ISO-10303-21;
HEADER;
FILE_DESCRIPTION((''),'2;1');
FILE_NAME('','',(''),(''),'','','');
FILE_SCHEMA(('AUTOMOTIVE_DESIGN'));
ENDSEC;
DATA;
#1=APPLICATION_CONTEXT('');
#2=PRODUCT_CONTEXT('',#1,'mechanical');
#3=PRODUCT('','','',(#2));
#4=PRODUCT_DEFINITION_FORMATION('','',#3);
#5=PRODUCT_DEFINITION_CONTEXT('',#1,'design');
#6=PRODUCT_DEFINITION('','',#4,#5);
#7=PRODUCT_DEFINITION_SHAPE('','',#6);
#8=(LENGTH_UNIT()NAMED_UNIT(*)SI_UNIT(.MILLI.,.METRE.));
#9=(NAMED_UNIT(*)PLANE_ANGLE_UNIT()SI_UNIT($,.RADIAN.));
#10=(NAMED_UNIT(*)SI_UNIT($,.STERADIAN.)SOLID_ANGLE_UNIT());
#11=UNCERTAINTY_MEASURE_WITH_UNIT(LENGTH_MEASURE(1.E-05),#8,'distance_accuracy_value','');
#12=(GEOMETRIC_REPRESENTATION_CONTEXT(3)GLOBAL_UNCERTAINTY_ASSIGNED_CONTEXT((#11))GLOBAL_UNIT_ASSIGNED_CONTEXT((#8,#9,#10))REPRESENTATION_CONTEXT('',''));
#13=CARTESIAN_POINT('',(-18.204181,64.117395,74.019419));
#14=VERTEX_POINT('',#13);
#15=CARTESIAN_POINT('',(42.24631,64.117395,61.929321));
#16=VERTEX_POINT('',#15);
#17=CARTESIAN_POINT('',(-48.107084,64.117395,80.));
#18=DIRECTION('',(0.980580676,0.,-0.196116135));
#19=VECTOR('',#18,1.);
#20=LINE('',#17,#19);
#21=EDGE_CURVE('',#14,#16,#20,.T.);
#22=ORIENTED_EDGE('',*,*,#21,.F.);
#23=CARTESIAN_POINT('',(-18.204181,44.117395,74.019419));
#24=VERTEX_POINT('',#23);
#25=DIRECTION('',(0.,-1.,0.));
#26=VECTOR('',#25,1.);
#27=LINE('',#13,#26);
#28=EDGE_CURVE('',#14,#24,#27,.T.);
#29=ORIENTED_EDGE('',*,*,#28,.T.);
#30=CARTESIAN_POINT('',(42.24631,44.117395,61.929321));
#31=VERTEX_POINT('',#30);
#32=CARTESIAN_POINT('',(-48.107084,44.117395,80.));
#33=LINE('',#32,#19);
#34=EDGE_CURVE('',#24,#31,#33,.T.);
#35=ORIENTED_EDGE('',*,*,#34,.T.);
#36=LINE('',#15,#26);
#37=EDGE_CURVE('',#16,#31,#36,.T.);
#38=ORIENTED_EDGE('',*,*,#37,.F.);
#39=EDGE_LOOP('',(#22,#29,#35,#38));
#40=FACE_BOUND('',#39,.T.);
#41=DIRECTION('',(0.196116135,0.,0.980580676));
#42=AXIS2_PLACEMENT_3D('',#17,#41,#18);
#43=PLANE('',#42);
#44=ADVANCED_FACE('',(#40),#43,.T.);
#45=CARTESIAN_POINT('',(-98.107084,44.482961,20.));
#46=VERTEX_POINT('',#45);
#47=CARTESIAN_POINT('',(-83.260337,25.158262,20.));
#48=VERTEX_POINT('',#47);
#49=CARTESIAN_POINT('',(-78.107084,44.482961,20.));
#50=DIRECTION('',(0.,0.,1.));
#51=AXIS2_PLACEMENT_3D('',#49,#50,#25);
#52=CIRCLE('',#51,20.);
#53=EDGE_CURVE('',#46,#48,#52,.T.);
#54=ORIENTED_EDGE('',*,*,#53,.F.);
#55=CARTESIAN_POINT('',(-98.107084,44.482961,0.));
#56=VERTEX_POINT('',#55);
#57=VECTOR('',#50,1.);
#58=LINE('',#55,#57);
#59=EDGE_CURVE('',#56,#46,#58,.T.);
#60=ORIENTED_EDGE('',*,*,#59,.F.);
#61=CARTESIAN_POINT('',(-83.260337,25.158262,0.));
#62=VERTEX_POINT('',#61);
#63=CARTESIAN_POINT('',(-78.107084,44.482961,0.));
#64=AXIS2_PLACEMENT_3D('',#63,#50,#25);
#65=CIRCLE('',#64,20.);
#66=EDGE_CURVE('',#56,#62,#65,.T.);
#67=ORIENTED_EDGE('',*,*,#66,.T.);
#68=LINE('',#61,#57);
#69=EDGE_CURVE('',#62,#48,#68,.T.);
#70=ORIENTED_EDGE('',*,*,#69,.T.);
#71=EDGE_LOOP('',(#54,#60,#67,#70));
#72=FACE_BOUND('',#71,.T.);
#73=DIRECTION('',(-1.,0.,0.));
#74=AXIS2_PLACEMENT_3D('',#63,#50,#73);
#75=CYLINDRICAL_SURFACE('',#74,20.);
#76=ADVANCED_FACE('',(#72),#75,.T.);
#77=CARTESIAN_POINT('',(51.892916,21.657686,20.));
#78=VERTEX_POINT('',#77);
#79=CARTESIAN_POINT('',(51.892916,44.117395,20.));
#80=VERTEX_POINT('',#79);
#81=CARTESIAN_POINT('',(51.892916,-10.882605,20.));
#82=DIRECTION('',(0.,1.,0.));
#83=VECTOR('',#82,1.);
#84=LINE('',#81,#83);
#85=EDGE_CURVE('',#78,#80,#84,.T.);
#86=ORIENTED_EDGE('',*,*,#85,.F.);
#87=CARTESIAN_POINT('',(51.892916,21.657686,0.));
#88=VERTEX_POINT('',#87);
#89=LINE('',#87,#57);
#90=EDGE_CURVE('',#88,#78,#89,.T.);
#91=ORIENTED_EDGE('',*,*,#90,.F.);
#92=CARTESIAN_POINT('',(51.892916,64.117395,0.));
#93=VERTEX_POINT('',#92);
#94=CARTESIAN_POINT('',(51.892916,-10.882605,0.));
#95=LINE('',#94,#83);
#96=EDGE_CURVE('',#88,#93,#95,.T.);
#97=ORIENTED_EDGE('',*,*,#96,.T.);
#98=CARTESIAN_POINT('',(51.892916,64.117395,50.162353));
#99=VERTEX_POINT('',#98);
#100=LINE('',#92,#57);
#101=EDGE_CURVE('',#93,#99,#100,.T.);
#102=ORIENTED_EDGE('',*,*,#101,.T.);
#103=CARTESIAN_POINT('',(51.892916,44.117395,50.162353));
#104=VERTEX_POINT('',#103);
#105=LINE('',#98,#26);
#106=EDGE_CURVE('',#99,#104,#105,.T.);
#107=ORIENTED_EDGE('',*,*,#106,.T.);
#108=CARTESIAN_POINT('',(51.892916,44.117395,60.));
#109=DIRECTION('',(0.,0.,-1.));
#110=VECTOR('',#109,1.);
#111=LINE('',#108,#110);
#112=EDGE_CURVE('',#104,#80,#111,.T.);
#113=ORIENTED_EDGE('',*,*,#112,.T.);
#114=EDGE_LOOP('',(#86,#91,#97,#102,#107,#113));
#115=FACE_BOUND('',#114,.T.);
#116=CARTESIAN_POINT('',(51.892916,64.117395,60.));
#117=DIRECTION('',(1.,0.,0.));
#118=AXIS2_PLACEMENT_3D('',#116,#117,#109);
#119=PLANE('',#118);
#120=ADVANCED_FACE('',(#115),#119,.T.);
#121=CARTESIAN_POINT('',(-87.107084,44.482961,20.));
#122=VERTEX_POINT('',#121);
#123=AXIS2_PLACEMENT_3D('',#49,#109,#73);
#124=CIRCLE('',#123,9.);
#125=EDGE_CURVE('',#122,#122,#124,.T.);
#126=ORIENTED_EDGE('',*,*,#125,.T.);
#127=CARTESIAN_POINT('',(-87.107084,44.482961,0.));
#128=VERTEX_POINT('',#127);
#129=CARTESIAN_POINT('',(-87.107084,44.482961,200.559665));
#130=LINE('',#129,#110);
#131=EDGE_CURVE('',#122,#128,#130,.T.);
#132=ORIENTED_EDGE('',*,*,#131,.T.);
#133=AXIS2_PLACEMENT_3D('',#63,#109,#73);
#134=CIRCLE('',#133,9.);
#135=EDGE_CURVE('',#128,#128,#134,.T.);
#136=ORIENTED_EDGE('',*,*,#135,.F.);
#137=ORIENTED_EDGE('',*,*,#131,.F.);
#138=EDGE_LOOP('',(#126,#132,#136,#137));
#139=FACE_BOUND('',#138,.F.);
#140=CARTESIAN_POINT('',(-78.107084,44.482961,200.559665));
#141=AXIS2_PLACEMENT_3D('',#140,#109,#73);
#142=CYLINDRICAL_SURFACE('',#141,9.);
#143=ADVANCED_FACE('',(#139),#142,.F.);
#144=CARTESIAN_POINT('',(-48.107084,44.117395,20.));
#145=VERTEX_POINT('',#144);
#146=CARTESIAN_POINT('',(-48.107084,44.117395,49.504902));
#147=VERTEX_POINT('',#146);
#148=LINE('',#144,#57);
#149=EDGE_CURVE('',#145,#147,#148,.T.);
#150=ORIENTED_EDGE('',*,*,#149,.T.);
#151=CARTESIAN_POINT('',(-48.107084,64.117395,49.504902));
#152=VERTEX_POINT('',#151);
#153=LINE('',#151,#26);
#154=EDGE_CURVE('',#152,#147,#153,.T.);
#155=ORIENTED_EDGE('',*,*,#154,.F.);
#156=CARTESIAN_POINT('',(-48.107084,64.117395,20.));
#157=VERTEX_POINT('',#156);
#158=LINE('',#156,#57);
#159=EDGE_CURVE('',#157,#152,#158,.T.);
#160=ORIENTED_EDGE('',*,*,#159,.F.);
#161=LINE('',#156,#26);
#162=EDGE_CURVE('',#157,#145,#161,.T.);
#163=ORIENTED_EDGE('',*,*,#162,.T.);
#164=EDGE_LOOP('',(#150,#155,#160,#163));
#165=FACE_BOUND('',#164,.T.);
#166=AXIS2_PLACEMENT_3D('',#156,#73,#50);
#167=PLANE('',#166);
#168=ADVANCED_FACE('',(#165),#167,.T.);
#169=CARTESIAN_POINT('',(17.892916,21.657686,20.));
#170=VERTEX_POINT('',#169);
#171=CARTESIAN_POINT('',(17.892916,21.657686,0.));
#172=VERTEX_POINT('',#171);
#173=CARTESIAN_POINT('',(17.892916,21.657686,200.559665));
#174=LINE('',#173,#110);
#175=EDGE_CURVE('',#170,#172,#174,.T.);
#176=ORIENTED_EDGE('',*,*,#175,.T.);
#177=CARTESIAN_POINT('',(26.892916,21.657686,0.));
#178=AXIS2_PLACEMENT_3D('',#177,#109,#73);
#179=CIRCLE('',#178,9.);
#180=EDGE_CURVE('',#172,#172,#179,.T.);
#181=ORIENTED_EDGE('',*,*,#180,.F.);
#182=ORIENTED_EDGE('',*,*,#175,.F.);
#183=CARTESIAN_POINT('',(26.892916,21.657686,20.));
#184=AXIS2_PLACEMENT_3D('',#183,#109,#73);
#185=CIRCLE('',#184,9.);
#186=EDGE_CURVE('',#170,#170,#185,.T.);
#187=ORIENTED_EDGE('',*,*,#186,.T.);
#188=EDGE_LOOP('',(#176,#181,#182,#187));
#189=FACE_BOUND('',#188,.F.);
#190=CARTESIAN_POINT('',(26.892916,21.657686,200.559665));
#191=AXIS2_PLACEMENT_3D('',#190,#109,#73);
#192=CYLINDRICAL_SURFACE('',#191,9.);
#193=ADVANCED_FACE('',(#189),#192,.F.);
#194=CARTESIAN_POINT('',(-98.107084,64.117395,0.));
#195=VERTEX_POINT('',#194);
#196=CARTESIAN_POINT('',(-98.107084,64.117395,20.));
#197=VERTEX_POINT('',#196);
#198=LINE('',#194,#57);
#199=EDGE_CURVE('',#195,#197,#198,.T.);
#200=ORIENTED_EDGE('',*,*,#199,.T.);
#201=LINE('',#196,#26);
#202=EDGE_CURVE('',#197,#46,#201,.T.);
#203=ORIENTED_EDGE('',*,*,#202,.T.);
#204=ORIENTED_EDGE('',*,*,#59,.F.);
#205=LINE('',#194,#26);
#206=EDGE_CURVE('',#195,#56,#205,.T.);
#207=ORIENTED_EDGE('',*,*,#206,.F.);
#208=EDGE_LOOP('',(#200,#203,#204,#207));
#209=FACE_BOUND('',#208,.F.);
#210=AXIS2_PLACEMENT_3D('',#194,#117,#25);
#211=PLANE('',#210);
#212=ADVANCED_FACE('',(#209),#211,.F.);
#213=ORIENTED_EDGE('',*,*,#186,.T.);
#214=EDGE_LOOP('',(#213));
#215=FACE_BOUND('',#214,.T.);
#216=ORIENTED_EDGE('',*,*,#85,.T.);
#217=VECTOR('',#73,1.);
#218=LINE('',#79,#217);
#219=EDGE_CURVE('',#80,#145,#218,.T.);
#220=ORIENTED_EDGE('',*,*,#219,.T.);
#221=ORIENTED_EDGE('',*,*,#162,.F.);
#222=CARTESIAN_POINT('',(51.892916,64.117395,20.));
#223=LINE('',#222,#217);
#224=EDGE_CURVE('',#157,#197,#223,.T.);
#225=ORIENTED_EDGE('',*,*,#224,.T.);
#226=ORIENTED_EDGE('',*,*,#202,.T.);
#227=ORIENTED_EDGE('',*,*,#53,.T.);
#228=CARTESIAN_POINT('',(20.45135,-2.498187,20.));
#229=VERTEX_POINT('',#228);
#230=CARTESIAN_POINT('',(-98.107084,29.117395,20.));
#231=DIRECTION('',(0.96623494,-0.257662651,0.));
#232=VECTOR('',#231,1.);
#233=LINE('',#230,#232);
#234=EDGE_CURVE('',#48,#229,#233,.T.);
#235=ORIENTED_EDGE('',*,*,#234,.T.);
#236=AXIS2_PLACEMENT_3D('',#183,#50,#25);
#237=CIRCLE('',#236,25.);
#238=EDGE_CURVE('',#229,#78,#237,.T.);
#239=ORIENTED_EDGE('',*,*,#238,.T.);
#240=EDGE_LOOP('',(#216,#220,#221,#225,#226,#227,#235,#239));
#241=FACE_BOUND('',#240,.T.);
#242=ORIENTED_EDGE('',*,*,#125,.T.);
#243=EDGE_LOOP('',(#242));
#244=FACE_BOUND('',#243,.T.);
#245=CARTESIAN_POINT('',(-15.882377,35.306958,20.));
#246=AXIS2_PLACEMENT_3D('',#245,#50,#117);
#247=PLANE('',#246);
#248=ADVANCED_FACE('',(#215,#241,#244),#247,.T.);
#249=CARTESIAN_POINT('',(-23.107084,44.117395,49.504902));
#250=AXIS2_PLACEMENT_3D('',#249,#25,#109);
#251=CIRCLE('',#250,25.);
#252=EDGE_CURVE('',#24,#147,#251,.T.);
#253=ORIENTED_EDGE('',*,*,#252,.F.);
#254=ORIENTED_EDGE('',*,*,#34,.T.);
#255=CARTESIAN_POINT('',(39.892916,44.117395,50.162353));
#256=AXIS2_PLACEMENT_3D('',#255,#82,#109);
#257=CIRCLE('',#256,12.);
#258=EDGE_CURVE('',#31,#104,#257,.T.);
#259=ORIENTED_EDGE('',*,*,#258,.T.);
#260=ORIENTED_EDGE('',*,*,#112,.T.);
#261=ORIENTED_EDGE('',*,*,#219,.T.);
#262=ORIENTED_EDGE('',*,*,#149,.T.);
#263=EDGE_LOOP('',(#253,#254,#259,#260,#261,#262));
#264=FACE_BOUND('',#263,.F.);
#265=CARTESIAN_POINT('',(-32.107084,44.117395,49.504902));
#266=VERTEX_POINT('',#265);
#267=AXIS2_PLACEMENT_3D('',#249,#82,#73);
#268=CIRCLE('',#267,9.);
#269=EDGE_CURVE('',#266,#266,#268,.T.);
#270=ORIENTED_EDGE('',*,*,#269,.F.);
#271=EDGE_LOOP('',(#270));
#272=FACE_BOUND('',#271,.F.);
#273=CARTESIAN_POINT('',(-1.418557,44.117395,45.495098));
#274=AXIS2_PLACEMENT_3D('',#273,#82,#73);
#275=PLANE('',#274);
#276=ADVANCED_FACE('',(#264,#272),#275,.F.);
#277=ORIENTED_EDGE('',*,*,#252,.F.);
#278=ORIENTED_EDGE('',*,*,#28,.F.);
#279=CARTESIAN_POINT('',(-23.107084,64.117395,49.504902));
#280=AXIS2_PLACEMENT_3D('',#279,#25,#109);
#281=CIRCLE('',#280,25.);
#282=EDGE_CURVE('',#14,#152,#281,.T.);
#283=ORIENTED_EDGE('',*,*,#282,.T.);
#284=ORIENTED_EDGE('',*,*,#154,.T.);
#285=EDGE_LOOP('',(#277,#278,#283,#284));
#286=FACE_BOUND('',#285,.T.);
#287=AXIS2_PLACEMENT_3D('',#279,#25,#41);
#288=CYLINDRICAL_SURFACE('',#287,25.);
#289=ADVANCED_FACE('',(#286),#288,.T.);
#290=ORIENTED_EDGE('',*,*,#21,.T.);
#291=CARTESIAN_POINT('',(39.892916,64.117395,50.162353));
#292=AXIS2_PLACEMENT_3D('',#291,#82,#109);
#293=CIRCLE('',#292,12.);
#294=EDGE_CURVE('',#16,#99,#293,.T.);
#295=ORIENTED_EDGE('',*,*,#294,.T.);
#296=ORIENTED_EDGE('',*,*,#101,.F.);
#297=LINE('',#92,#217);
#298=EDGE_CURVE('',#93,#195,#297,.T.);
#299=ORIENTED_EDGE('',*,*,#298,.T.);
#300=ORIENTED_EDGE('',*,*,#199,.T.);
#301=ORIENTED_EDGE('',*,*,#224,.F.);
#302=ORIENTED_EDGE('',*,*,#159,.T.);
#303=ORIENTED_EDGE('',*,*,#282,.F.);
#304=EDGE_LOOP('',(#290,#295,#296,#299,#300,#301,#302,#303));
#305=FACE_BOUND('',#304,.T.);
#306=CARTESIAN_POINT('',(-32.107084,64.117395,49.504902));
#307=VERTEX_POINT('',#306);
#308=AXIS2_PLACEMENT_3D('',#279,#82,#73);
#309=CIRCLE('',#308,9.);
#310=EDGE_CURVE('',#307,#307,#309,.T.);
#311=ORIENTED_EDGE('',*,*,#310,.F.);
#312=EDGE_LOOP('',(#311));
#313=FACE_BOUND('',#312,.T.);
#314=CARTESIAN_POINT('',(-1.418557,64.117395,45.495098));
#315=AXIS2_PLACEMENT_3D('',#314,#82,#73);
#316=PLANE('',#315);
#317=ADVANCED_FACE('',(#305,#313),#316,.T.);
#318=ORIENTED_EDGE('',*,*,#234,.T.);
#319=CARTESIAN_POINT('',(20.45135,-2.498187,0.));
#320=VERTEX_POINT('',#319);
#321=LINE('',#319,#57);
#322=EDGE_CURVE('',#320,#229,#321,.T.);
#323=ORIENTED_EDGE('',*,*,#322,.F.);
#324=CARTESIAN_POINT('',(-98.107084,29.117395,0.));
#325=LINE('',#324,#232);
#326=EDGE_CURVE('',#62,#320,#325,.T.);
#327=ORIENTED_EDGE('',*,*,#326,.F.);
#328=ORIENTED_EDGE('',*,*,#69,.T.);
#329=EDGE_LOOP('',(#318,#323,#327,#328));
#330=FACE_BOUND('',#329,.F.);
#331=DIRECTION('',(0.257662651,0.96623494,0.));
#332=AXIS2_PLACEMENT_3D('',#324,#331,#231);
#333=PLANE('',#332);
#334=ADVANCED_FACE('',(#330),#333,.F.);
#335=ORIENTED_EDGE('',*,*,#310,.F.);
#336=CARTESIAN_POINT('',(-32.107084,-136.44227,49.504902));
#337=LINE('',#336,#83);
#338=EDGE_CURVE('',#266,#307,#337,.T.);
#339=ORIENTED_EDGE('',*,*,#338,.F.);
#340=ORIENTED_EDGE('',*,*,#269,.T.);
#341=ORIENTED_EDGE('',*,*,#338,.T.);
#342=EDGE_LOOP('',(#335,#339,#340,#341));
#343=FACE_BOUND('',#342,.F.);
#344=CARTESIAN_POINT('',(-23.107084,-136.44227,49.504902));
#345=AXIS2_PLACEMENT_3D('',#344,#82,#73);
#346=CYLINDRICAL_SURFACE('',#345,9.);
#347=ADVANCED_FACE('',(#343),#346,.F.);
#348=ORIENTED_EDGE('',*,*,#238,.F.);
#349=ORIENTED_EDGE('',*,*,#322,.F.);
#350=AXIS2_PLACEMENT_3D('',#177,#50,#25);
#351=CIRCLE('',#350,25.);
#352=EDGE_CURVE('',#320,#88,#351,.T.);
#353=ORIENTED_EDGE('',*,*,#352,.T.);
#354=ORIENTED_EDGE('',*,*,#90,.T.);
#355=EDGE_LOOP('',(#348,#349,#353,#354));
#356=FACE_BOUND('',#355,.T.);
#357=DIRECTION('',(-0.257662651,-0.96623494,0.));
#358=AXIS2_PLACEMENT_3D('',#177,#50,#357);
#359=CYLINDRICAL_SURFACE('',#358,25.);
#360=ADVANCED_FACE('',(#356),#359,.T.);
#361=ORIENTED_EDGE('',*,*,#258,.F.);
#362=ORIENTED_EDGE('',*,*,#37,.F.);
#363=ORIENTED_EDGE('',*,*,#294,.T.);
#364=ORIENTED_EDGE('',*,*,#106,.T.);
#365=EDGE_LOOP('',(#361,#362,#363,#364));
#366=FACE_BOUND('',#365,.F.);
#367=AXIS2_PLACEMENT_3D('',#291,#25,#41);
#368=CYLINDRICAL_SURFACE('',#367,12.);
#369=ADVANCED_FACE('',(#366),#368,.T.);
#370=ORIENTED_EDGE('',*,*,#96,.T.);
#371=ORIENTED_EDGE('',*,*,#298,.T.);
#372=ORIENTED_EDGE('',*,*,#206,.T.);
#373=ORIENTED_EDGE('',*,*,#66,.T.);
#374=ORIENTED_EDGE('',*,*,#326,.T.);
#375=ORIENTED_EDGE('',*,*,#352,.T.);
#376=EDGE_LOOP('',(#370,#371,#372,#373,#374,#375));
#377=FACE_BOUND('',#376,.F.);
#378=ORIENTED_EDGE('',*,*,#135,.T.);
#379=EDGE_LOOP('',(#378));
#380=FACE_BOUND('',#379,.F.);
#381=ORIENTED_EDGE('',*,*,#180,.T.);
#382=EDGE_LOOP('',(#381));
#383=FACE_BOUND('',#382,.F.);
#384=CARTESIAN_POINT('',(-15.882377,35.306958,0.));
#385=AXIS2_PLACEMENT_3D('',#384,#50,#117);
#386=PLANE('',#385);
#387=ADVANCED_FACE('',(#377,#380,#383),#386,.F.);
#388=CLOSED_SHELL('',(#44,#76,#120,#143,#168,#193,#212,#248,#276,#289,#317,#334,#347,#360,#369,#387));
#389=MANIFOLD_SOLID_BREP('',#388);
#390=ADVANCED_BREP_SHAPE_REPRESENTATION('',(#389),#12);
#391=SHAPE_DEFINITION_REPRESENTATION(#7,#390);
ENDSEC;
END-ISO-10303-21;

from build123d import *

# Parameters (mm, degrees)
F1_DEPTH = 20
F3_DEPTH = 20
F4_R     = 20
F5_R     = 25
F6_R     = 25
F7_R     = 12
F10_D    = 18
F11_D    = 18
F13_D    = 18


with BuildPart() as f1:
    # F0 (on Top) → F1 (new body)
    with BuildSketch(Plane.XY):
        Polygon((51.892916, 64.117395), (-98.107084, 64.117395), (-98.107084, 29.117395), (51.892916, -10.882605), align=None)
    extrude(amount=F1_DEPTH)

    # F2 (on face) → F3 (join)
    with BuildSketch(Plane(origin=(0, 64.117395, 0), x_dir=(-1, 0, 0), z_dir=(0, 1, 0))):
        Polygon((-51.892916, 60), (-51.892916, 20), (48.107084, 20), (48.107084, 80), align=None)
    extrude(amount=-F3_DEPTH)

    # F4
    f4_edges = [f1.edges().sort_by_distance(p)[0] for p in [
        (-98.107084, 29.117395, 10),
    ]]
    fillet(f4_edges, radius=F4_R)

    # F5
    f5_edges = [f1.edges().sort_by_distance(p)[0] for p in [
        (51.892916, -10.882605, 10),
    ]]
    fillet(f5_edges, radius=F5_R)

    # F6
    f6_edges = [f1.edges().sort_by_distance(p)[0] for p in [
        (-48.107084, 54.117395, 80),
    ]]
    fillet(f6_edges, radius=F6_R)

    # F7
    f7_edges = [f1.edges().sort_by_distance(p)[0] for p in [
        (51.892916, 54.117395, 60),
    ]]
    fillet(f7_edges, radius=F7_R)

    # F10 (through all)
    with Locations(Plane.XZ.offset(-44.117395)):
        with Locations((-23.107084, 49.504902)):
            Hole(F10_D / 2)

    # F11 (through all)
    with Locations(Plane.XY.offset(20)):
        with Locations((-78.107084, 44.482961)):
            Hole(F11_D / 2)

    # F13 (through all)
    with Locations(Plane.XY.offset(20)):
        with Locations((26.892916, 21.657686)):
            Hole(F13_D / 2)


solid = f1.part
